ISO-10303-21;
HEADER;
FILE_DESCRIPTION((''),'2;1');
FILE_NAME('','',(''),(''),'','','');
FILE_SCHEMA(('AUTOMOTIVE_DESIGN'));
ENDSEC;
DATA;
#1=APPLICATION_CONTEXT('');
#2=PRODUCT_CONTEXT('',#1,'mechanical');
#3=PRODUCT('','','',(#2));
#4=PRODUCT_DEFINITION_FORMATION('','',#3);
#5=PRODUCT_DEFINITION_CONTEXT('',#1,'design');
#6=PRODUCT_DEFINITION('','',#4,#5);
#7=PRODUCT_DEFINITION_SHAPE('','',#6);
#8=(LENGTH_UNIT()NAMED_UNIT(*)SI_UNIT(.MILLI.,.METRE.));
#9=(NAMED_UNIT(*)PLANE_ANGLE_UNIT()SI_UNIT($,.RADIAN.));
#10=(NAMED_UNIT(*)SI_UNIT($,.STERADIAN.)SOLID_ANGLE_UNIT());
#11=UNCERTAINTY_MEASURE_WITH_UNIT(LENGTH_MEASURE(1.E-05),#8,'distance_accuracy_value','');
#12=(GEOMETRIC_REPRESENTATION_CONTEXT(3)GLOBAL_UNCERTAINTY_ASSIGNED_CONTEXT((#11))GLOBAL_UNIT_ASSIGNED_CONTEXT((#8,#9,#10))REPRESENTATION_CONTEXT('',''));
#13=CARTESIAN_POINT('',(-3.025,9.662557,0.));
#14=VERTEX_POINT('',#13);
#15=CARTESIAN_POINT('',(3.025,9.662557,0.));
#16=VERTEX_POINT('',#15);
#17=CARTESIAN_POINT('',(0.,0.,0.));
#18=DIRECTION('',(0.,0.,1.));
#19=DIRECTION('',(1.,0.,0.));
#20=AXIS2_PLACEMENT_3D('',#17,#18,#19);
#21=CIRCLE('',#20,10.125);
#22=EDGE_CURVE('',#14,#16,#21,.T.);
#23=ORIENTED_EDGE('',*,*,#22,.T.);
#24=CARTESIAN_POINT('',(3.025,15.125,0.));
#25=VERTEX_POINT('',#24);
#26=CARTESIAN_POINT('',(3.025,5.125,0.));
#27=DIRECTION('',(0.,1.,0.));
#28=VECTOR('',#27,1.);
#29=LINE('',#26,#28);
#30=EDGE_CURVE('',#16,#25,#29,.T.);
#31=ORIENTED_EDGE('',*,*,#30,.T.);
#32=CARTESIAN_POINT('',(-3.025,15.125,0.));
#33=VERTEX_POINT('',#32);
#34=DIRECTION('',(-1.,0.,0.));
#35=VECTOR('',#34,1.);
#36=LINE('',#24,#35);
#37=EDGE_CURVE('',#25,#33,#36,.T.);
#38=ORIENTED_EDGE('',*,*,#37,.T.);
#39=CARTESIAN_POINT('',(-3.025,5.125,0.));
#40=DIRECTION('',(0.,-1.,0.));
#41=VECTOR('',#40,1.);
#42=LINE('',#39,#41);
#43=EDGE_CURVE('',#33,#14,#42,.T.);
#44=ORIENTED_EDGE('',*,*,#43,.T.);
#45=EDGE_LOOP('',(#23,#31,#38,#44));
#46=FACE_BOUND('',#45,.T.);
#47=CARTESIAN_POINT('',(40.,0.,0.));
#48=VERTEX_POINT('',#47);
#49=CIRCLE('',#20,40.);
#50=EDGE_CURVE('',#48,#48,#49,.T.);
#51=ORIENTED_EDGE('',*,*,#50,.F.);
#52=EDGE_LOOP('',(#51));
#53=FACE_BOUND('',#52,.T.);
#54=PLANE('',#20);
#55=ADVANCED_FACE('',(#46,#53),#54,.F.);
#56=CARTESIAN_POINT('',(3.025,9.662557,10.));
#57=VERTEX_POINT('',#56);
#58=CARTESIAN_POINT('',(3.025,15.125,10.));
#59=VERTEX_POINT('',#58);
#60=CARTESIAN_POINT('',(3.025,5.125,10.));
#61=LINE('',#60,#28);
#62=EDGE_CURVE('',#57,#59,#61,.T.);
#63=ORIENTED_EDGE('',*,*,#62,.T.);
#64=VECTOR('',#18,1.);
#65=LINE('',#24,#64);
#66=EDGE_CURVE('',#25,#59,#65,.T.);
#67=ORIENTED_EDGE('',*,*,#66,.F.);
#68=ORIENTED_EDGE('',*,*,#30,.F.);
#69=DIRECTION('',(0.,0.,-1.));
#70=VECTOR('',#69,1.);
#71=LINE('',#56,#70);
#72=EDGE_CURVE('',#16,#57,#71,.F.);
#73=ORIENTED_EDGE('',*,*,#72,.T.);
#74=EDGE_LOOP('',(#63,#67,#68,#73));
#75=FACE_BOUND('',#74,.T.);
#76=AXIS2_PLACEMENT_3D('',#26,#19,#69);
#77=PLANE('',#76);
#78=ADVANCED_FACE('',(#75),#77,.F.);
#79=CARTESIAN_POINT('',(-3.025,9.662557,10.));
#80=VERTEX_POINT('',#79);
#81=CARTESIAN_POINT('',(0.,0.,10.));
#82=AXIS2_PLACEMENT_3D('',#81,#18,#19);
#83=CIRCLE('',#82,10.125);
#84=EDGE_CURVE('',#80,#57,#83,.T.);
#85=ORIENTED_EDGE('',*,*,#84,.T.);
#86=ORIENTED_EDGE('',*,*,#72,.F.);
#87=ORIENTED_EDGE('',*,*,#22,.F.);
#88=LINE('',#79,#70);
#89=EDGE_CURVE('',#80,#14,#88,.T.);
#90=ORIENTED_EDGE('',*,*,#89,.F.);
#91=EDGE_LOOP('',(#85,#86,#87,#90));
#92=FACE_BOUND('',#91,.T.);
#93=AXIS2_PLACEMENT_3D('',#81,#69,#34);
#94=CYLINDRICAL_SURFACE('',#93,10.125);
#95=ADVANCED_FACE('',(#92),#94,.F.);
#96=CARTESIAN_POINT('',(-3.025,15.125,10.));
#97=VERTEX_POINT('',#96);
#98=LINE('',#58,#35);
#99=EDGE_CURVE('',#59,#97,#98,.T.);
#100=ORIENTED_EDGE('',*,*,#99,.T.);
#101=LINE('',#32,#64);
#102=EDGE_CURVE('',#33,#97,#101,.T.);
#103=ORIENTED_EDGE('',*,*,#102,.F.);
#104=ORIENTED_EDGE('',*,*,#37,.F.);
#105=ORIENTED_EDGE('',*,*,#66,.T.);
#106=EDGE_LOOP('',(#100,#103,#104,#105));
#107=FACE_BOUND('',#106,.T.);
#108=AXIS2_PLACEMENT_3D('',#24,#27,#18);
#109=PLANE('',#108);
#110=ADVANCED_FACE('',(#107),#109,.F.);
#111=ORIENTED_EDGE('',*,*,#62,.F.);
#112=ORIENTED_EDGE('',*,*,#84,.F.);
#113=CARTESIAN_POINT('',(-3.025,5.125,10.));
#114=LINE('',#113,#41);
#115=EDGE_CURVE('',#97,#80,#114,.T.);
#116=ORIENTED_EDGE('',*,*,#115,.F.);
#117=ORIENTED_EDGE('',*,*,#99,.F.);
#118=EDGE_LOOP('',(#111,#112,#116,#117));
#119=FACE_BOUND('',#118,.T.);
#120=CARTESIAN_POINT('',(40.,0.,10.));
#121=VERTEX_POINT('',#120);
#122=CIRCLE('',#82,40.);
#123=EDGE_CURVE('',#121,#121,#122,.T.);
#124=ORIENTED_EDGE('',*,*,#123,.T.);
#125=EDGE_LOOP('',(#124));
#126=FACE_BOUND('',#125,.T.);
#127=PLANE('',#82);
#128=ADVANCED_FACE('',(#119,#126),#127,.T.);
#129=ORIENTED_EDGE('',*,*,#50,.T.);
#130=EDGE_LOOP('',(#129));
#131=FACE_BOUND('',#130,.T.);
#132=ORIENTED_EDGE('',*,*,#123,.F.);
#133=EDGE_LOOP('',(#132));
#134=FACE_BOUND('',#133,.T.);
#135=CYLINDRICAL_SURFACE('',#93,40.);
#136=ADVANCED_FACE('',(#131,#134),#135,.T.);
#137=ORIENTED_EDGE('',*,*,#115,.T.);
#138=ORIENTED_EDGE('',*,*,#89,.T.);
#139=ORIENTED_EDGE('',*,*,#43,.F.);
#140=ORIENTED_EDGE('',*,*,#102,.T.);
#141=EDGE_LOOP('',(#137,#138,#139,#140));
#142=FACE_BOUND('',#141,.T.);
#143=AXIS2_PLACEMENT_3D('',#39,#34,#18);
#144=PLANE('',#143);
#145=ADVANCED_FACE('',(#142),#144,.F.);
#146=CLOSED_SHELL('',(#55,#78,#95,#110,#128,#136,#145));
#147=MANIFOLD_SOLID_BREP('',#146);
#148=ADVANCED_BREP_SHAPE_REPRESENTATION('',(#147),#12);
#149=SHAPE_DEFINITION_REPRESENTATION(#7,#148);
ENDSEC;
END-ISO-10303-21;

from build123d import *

# Parameters (mm, degrees)
SKETCH1_R           = 40
SKETCH1_R_2         = 10.125
BOSS_EXTRUDE1_DEPTH = 10
SKETCH2_W           = 6.05
SKETCH2_H           = 10
CUT_EXTRUDE1_DEPTH  = 10


with BuildPart() as part:
    # Sketch1 → Boss-Extrude1 (new body)
    with BuildSketch(Plane.XY):
        Circle(SKETCH1_R)
        Circle(SKETCH1_R_2, mode=Mode.SUBTRACT)
    extrude(amount=BOSS_EXTRUDE1_DEPTH)

    # Sketch2 → Cut-Extrude1 (cut)
    with BuildSketch(Plane.XY.offset(10)):
        with Locations((0, 10.125)):
            Rectangle(SKETCH2_W, SKETCH2_H)
    extrude(amount=-CUT_EXTRUDE1_DEPTH, mode=Mode.SUBTRACT)


solid = part.part
